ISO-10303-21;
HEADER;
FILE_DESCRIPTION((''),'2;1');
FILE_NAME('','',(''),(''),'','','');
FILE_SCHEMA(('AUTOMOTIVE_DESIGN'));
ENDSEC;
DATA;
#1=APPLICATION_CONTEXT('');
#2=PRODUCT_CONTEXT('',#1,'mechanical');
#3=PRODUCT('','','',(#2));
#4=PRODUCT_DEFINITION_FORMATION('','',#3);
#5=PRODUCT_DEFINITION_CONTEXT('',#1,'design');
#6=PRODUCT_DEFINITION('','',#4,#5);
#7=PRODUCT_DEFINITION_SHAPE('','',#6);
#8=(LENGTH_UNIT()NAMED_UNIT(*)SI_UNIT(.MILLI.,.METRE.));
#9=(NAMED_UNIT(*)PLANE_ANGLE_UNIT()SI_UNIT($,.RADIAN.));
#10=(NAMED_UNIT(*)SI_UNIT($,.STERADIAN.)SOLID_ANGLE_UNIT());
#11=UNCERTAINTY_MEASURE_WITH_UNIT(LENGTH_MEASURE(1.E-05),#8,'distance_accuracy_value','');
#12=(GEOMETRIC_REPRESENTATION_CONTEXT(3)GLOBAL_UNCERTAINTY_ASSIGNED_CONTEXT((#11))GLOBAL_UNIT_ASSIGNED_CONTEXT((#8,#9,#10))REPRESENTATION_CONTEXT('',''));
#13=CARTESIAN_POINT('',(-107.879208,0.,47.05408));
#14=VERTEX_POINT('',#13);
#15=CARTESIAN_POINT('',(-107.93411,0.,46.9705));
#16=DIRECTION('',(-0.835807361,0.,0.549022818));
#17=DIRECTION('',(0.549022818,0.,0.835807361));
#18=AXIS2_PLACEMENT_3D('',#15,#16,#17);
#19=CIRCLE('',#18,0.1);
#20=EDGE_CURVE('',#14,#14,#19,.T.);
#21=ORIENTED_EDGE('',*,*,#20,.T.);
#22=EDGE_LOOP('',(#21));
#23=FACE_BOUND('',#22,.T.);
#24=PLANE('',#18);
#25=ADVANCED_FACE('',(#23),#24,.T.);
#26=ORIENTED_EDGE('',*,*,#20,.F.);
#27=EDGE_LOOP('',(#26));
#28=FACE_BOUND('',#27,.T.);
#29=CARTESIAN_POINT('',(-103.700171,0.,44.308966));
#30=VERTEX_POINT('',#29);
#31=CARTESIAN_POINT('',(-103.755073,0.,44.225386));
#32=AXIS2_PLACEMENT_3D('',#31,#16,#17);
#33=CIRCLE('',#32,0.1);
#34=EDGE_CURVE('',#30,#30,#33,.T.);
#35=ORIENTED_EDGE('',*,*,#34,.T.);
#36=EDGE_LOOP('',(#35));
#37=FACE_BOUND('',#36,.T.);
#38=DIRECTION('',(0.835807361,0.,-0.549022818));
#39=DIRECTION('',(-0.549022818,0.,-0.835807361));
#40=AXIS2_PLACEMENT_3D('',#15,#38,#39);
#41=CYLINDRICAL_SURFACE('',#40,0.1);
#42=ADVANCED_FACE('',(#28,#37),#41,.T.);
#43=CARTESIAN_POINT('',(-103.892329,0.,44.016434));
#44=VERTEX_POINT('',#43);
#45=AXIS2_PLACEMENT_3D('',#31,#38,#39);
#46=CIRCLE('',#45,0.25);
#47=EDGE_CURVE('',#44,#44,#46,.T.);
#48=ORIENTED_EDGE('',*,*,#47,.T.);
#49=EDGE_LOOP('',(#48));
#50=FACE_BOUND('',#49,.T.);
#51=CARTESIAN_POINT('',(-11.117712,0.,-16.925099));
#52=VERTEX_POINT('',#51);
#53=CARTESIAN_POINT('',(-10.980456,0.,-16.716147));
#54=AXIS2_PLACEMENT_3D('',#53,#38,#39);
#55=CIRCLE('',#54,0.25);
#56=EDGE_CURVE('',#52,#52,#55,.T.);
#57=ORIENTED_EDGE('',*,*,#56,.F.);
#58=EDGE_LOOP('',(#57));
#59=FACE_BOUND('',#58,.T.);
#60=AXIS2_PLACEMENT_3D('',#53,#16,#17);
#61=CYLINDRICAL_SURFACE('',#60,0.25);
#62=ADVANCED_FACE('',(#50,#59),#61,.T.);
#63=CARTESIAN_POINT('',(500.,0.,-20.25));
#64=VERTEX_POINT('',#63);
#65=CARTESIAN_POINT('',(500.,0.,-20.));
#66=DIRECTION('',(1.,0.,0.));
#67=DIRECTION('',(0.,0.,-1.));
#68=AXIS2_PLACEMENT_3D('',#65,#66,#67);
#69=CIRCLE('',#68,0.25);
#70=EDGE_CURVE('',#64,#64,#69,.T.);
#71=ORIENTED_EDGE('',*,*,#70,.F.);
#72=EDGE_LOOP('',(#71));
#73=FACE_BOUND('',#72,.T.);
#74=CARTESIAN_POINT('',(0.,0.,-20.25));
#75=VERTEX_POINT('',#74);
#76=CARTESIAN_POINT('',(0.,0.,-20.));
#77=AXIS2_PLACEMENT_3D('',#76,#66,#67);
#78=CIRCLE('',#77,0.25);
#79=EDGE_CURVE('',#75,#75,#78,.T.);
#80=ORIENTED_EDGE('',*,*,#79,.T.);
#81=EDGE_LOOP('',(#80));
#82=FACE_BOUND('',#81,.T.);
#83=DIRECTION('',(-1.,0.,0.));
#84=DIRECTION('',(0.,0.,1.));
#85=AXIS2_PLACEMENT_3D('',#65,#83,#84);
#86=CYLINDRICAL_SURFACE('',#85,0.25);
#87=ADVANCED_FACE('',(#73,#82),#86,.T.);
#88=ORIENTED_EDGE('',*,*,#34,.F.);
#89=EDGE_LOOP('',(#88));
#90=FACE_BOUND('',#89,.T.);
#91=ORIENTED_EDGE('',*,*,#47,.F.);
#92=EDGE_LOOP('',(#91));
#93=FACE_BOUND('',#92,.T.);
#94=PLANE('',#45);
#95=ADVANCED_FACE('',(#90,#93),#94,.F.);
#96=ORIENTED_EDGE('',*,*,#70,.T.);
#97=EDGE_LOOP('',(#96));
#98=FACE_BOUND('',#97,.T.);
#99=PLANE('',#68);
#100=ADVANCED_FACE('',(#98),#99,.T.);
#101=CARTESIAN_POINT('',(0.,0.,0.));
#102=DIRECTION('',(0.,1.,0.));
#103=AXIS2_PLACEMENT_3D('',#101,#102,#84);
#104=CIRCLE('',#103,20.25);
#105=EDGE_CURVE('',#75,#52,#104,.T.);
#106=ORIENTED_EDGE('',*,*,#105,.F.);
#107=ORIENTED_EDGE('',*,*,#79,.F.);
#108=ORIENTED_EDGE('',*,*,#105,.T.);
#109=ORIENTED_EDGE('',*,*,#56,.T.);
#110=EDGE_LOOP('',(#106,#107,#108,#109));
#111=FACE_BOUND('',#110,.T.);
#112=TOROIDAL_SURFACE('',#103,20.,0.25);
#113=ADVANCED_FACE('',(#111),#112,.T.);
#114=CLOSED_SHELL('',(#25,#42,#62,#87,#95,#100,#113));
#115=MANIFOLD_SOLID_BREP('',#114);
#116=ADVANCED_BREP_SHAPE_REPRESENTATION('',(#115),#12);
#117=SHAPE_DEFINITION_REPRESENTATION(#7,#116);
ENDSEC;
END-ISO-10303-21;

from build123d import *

# Parameters (mm, degrees)
SWEEP1_PROFILE_R    = 0.25
SKETCH6_R           = 0.1
BOSS_EXTRUDE1_DEPTH = 5


with BuildPart() as part:
    # Sweep1: sweep along a path in Sketch2
    with BuildLine(Plane(origin=(0, 0, 0), x_dir=(1, 0, 0), z_dir=(0, 1, 0))) as sweep1_path:
        Line((500, 20), (0, 20))
        ThreePointArc((0, 20), (-5.730491055, 19.161457989), (-10.98045636, 16.716147227))
        Line((-10.98045636, 16.716147227), (-103.755073472, -44.22538557))
    # Sweep1 profile (on start of the path) → Sweep1 (sweep)
    with BuildSketch(Plane(origin=(500, 0, -20), x_dir=(0, 0, -1), z_dir=(-1, 0, 0))):
        Circle(SWEEP1_PROFILE_R)
    sweep(path=sweep1_path.line)

    # Sketch6 → Boss-Extrude1 (add)
    with BuildSketch(Plane(origin=(-92.774617112, 0, 60.941532798), x_dir=(0.5490228179981329, 0, 0.8358073613682695), z_dir=(-0.8358073613682695, 0, 0.5490228179981329))):
        with Locations((-20, 0)):
            Circle(SKETCH6_R)
    extrude(amount=BOSS_EXTRUDE1_DEPTH)


solid = part.part
